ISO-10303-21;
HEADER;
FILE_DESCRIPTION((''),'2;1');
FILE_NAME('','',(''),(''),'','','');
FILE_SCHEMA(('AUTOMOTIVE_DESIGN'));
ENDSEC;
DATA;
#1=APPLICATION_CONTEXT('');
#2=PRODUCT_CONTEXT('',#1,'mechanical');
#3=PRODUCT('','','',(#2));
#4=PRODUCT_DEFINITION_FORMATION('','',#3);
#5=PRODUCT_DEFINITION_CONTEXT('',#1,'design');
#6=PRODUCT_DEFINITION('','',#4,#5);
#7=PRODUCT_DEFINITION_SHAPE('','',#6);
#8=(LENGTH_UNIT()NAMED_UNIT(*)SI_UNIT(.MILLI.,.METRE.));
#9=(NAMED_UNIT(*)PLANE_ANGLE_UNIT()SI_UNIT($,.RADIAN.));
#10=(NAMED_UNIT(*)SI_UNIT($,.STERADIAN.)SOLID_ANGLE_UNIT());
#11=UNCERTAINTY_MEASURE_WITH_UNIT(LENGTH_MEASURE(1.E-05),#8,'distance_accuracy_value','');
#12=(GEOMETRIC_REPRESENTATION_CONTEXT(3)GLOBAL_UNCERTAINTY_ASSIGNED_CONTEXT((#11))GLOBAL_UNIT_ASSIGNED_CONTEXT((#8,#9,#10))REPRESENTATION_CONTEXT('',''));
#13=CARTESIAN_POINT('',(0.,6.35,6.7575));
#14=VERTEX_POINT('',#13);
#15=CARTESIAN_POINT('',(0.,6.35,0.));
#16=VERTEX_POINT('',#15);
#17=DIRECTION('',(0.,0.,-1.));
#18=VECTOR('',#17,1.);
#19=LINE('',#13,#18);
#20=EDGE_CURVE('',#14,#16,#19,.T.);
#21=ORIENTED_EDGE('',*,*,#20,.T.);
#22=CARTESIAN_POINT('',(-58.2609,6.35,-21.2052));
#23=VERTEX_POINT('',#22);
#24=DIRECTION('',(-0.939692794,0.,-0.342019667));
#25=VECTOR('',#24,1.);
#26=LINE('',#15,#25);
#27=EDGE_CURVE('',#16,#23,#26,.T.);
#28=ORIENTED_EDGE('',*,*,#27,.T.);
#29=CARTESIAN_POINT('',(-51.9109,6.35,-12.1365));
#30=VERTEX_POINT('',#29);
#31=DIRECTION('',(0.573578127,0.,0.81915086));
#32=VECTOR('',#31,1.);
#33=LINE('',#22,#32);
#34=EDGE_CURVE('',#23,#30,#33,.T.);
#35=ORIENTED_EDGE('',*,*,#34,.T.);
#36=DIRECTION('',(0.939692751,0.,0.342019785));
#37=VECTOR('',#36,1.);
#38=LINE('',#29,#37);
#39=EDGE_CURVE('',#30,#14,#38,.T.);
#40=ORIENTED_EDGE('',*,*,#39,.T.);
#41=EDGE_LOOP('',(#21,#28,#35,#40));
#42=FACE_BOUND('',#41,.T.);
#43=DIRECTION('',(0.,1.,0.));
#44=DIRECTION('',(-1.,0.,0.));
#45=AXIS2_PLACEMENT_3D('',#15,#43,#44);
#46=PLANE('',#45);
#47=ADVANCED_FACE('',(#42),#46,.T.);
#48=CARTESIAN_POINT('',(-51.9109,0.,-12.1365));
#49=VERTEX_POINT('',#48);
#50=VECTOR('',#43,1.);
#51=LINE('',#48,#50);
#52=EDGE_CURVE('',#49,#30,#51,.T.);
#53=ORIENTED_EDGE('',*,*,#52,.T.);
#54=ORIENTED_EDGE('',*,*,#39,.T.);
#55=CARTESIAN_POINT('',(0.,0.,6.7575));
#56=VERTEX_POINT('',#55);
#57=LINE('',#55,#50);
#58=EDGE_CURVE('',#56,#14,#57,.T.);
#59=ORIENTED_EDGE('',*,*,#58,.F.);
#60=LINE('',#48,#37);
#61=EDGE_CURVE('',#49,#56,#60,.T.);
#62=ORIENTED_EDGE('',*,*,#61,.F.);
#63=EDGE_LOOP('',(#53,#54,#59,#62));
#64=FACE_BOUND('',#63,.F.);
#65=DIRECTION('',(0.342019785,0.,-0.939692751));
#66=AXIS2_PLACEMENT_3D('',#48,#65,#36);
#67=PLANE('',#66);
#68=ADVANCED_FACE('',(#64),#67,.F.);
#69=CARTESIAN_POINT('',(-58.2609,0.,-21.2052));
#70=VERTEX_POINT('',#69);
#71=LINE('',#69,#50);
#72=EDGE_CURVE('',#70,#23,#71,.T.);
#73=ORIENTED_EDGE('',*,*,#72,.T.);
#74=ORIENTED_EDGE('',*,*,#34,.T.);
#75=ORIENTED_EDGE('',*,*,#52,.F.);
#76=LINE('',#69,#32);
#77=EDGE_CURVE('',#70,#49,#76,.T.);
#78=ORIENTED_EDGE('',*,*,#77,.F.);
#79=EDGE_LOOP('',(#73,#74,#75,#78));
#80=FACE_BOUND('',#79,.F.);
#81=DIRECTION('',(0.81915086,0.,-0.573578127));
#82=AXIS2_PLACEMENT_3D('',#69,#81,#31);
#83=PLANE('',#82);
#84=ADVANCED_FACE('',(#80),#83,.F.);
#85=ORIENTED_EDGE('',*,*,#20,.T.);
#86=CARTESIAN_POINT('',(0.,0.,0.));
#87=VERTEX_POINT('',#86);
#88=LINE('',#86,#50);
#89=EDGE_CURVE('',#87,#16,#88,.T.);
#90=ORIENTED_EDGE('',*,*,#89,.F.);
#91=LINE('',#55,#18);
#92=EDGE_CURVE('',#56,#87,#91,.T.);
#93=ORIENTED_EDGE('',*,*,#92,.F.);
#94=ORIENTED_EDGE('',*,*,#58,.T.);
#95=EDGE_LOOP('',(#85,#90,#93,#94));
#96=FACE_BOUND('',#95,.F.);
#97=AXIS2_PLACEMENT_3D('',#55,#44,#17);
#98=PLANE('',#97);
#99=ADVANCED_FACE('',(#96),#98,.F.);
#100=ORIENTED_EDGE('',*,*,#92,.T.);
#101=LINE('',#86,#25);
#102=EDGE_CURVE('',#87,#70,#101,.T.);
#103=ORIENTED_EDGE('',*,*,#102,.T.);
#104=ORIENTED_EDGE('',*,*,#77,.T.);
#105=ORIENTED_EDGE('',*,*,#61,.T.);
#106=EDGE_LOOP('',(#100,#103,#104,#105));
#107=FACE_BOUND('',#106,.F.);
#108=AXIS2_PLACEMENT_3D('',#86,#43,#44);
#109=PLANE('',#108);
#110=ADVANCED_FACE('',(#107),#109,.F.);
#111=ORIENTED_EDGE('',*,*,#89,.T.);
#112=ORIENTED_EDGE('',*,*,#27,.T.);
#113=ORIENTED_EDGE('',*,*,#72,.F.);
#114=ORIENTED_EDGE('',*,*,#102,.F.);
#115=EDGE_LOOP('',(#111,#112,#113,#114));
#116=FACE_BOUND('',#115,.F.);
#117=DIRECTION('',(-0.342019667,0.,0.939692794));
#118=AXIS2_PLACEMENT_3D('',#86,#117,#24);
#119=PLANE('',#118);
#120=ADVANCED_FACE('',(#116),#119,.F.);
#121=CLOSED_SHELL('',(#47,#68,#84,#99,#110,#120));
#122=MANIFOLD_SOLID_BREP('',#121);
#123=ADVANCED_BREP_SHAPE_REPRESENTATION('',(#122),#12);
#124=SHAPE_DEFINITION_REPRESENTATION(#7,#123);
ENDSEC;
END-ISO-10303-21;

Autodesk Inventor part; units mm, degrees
ref_plane "YZ Plane" through (0, 0, 0) normal (1, 0, 0) x (0, 1, 0)
ref_plane "XZ Plane" through (0, 0, 0) normal (0, 1, 0) x (-1, 0, 0)
ref_plane "XY Plane" through (0, 0, 0) normal (0, 0, 1) x (1, 0, 0)
sketch "Sketch1" plane through (0, 0, 0) normal (0, 1, 0) x (-1, 0, 0)
  line L0 (0, 0) -> (58.2609, -21.2052)
  line L1 (0, 0) -> (62, 0) construction
  line L2 (58.2609, -21.2052) -> (51.9109, -12.1365)
  line L3 (58.2609, -21.2052) -> (69.3318, -21.2052) construction
  line L4 (51.9109, -12.1365) -> (0, 6.7575)
  line L5 (0, 6.7575) -> (0, 0)
  dimension "d0" = 62
  dimension "d1" = 20
  dimension "d3" = 125
extrude "Extrusion1" add sketch "Sketch1" along normal blind 6.35
properties part number "UpperInnerWD1"
